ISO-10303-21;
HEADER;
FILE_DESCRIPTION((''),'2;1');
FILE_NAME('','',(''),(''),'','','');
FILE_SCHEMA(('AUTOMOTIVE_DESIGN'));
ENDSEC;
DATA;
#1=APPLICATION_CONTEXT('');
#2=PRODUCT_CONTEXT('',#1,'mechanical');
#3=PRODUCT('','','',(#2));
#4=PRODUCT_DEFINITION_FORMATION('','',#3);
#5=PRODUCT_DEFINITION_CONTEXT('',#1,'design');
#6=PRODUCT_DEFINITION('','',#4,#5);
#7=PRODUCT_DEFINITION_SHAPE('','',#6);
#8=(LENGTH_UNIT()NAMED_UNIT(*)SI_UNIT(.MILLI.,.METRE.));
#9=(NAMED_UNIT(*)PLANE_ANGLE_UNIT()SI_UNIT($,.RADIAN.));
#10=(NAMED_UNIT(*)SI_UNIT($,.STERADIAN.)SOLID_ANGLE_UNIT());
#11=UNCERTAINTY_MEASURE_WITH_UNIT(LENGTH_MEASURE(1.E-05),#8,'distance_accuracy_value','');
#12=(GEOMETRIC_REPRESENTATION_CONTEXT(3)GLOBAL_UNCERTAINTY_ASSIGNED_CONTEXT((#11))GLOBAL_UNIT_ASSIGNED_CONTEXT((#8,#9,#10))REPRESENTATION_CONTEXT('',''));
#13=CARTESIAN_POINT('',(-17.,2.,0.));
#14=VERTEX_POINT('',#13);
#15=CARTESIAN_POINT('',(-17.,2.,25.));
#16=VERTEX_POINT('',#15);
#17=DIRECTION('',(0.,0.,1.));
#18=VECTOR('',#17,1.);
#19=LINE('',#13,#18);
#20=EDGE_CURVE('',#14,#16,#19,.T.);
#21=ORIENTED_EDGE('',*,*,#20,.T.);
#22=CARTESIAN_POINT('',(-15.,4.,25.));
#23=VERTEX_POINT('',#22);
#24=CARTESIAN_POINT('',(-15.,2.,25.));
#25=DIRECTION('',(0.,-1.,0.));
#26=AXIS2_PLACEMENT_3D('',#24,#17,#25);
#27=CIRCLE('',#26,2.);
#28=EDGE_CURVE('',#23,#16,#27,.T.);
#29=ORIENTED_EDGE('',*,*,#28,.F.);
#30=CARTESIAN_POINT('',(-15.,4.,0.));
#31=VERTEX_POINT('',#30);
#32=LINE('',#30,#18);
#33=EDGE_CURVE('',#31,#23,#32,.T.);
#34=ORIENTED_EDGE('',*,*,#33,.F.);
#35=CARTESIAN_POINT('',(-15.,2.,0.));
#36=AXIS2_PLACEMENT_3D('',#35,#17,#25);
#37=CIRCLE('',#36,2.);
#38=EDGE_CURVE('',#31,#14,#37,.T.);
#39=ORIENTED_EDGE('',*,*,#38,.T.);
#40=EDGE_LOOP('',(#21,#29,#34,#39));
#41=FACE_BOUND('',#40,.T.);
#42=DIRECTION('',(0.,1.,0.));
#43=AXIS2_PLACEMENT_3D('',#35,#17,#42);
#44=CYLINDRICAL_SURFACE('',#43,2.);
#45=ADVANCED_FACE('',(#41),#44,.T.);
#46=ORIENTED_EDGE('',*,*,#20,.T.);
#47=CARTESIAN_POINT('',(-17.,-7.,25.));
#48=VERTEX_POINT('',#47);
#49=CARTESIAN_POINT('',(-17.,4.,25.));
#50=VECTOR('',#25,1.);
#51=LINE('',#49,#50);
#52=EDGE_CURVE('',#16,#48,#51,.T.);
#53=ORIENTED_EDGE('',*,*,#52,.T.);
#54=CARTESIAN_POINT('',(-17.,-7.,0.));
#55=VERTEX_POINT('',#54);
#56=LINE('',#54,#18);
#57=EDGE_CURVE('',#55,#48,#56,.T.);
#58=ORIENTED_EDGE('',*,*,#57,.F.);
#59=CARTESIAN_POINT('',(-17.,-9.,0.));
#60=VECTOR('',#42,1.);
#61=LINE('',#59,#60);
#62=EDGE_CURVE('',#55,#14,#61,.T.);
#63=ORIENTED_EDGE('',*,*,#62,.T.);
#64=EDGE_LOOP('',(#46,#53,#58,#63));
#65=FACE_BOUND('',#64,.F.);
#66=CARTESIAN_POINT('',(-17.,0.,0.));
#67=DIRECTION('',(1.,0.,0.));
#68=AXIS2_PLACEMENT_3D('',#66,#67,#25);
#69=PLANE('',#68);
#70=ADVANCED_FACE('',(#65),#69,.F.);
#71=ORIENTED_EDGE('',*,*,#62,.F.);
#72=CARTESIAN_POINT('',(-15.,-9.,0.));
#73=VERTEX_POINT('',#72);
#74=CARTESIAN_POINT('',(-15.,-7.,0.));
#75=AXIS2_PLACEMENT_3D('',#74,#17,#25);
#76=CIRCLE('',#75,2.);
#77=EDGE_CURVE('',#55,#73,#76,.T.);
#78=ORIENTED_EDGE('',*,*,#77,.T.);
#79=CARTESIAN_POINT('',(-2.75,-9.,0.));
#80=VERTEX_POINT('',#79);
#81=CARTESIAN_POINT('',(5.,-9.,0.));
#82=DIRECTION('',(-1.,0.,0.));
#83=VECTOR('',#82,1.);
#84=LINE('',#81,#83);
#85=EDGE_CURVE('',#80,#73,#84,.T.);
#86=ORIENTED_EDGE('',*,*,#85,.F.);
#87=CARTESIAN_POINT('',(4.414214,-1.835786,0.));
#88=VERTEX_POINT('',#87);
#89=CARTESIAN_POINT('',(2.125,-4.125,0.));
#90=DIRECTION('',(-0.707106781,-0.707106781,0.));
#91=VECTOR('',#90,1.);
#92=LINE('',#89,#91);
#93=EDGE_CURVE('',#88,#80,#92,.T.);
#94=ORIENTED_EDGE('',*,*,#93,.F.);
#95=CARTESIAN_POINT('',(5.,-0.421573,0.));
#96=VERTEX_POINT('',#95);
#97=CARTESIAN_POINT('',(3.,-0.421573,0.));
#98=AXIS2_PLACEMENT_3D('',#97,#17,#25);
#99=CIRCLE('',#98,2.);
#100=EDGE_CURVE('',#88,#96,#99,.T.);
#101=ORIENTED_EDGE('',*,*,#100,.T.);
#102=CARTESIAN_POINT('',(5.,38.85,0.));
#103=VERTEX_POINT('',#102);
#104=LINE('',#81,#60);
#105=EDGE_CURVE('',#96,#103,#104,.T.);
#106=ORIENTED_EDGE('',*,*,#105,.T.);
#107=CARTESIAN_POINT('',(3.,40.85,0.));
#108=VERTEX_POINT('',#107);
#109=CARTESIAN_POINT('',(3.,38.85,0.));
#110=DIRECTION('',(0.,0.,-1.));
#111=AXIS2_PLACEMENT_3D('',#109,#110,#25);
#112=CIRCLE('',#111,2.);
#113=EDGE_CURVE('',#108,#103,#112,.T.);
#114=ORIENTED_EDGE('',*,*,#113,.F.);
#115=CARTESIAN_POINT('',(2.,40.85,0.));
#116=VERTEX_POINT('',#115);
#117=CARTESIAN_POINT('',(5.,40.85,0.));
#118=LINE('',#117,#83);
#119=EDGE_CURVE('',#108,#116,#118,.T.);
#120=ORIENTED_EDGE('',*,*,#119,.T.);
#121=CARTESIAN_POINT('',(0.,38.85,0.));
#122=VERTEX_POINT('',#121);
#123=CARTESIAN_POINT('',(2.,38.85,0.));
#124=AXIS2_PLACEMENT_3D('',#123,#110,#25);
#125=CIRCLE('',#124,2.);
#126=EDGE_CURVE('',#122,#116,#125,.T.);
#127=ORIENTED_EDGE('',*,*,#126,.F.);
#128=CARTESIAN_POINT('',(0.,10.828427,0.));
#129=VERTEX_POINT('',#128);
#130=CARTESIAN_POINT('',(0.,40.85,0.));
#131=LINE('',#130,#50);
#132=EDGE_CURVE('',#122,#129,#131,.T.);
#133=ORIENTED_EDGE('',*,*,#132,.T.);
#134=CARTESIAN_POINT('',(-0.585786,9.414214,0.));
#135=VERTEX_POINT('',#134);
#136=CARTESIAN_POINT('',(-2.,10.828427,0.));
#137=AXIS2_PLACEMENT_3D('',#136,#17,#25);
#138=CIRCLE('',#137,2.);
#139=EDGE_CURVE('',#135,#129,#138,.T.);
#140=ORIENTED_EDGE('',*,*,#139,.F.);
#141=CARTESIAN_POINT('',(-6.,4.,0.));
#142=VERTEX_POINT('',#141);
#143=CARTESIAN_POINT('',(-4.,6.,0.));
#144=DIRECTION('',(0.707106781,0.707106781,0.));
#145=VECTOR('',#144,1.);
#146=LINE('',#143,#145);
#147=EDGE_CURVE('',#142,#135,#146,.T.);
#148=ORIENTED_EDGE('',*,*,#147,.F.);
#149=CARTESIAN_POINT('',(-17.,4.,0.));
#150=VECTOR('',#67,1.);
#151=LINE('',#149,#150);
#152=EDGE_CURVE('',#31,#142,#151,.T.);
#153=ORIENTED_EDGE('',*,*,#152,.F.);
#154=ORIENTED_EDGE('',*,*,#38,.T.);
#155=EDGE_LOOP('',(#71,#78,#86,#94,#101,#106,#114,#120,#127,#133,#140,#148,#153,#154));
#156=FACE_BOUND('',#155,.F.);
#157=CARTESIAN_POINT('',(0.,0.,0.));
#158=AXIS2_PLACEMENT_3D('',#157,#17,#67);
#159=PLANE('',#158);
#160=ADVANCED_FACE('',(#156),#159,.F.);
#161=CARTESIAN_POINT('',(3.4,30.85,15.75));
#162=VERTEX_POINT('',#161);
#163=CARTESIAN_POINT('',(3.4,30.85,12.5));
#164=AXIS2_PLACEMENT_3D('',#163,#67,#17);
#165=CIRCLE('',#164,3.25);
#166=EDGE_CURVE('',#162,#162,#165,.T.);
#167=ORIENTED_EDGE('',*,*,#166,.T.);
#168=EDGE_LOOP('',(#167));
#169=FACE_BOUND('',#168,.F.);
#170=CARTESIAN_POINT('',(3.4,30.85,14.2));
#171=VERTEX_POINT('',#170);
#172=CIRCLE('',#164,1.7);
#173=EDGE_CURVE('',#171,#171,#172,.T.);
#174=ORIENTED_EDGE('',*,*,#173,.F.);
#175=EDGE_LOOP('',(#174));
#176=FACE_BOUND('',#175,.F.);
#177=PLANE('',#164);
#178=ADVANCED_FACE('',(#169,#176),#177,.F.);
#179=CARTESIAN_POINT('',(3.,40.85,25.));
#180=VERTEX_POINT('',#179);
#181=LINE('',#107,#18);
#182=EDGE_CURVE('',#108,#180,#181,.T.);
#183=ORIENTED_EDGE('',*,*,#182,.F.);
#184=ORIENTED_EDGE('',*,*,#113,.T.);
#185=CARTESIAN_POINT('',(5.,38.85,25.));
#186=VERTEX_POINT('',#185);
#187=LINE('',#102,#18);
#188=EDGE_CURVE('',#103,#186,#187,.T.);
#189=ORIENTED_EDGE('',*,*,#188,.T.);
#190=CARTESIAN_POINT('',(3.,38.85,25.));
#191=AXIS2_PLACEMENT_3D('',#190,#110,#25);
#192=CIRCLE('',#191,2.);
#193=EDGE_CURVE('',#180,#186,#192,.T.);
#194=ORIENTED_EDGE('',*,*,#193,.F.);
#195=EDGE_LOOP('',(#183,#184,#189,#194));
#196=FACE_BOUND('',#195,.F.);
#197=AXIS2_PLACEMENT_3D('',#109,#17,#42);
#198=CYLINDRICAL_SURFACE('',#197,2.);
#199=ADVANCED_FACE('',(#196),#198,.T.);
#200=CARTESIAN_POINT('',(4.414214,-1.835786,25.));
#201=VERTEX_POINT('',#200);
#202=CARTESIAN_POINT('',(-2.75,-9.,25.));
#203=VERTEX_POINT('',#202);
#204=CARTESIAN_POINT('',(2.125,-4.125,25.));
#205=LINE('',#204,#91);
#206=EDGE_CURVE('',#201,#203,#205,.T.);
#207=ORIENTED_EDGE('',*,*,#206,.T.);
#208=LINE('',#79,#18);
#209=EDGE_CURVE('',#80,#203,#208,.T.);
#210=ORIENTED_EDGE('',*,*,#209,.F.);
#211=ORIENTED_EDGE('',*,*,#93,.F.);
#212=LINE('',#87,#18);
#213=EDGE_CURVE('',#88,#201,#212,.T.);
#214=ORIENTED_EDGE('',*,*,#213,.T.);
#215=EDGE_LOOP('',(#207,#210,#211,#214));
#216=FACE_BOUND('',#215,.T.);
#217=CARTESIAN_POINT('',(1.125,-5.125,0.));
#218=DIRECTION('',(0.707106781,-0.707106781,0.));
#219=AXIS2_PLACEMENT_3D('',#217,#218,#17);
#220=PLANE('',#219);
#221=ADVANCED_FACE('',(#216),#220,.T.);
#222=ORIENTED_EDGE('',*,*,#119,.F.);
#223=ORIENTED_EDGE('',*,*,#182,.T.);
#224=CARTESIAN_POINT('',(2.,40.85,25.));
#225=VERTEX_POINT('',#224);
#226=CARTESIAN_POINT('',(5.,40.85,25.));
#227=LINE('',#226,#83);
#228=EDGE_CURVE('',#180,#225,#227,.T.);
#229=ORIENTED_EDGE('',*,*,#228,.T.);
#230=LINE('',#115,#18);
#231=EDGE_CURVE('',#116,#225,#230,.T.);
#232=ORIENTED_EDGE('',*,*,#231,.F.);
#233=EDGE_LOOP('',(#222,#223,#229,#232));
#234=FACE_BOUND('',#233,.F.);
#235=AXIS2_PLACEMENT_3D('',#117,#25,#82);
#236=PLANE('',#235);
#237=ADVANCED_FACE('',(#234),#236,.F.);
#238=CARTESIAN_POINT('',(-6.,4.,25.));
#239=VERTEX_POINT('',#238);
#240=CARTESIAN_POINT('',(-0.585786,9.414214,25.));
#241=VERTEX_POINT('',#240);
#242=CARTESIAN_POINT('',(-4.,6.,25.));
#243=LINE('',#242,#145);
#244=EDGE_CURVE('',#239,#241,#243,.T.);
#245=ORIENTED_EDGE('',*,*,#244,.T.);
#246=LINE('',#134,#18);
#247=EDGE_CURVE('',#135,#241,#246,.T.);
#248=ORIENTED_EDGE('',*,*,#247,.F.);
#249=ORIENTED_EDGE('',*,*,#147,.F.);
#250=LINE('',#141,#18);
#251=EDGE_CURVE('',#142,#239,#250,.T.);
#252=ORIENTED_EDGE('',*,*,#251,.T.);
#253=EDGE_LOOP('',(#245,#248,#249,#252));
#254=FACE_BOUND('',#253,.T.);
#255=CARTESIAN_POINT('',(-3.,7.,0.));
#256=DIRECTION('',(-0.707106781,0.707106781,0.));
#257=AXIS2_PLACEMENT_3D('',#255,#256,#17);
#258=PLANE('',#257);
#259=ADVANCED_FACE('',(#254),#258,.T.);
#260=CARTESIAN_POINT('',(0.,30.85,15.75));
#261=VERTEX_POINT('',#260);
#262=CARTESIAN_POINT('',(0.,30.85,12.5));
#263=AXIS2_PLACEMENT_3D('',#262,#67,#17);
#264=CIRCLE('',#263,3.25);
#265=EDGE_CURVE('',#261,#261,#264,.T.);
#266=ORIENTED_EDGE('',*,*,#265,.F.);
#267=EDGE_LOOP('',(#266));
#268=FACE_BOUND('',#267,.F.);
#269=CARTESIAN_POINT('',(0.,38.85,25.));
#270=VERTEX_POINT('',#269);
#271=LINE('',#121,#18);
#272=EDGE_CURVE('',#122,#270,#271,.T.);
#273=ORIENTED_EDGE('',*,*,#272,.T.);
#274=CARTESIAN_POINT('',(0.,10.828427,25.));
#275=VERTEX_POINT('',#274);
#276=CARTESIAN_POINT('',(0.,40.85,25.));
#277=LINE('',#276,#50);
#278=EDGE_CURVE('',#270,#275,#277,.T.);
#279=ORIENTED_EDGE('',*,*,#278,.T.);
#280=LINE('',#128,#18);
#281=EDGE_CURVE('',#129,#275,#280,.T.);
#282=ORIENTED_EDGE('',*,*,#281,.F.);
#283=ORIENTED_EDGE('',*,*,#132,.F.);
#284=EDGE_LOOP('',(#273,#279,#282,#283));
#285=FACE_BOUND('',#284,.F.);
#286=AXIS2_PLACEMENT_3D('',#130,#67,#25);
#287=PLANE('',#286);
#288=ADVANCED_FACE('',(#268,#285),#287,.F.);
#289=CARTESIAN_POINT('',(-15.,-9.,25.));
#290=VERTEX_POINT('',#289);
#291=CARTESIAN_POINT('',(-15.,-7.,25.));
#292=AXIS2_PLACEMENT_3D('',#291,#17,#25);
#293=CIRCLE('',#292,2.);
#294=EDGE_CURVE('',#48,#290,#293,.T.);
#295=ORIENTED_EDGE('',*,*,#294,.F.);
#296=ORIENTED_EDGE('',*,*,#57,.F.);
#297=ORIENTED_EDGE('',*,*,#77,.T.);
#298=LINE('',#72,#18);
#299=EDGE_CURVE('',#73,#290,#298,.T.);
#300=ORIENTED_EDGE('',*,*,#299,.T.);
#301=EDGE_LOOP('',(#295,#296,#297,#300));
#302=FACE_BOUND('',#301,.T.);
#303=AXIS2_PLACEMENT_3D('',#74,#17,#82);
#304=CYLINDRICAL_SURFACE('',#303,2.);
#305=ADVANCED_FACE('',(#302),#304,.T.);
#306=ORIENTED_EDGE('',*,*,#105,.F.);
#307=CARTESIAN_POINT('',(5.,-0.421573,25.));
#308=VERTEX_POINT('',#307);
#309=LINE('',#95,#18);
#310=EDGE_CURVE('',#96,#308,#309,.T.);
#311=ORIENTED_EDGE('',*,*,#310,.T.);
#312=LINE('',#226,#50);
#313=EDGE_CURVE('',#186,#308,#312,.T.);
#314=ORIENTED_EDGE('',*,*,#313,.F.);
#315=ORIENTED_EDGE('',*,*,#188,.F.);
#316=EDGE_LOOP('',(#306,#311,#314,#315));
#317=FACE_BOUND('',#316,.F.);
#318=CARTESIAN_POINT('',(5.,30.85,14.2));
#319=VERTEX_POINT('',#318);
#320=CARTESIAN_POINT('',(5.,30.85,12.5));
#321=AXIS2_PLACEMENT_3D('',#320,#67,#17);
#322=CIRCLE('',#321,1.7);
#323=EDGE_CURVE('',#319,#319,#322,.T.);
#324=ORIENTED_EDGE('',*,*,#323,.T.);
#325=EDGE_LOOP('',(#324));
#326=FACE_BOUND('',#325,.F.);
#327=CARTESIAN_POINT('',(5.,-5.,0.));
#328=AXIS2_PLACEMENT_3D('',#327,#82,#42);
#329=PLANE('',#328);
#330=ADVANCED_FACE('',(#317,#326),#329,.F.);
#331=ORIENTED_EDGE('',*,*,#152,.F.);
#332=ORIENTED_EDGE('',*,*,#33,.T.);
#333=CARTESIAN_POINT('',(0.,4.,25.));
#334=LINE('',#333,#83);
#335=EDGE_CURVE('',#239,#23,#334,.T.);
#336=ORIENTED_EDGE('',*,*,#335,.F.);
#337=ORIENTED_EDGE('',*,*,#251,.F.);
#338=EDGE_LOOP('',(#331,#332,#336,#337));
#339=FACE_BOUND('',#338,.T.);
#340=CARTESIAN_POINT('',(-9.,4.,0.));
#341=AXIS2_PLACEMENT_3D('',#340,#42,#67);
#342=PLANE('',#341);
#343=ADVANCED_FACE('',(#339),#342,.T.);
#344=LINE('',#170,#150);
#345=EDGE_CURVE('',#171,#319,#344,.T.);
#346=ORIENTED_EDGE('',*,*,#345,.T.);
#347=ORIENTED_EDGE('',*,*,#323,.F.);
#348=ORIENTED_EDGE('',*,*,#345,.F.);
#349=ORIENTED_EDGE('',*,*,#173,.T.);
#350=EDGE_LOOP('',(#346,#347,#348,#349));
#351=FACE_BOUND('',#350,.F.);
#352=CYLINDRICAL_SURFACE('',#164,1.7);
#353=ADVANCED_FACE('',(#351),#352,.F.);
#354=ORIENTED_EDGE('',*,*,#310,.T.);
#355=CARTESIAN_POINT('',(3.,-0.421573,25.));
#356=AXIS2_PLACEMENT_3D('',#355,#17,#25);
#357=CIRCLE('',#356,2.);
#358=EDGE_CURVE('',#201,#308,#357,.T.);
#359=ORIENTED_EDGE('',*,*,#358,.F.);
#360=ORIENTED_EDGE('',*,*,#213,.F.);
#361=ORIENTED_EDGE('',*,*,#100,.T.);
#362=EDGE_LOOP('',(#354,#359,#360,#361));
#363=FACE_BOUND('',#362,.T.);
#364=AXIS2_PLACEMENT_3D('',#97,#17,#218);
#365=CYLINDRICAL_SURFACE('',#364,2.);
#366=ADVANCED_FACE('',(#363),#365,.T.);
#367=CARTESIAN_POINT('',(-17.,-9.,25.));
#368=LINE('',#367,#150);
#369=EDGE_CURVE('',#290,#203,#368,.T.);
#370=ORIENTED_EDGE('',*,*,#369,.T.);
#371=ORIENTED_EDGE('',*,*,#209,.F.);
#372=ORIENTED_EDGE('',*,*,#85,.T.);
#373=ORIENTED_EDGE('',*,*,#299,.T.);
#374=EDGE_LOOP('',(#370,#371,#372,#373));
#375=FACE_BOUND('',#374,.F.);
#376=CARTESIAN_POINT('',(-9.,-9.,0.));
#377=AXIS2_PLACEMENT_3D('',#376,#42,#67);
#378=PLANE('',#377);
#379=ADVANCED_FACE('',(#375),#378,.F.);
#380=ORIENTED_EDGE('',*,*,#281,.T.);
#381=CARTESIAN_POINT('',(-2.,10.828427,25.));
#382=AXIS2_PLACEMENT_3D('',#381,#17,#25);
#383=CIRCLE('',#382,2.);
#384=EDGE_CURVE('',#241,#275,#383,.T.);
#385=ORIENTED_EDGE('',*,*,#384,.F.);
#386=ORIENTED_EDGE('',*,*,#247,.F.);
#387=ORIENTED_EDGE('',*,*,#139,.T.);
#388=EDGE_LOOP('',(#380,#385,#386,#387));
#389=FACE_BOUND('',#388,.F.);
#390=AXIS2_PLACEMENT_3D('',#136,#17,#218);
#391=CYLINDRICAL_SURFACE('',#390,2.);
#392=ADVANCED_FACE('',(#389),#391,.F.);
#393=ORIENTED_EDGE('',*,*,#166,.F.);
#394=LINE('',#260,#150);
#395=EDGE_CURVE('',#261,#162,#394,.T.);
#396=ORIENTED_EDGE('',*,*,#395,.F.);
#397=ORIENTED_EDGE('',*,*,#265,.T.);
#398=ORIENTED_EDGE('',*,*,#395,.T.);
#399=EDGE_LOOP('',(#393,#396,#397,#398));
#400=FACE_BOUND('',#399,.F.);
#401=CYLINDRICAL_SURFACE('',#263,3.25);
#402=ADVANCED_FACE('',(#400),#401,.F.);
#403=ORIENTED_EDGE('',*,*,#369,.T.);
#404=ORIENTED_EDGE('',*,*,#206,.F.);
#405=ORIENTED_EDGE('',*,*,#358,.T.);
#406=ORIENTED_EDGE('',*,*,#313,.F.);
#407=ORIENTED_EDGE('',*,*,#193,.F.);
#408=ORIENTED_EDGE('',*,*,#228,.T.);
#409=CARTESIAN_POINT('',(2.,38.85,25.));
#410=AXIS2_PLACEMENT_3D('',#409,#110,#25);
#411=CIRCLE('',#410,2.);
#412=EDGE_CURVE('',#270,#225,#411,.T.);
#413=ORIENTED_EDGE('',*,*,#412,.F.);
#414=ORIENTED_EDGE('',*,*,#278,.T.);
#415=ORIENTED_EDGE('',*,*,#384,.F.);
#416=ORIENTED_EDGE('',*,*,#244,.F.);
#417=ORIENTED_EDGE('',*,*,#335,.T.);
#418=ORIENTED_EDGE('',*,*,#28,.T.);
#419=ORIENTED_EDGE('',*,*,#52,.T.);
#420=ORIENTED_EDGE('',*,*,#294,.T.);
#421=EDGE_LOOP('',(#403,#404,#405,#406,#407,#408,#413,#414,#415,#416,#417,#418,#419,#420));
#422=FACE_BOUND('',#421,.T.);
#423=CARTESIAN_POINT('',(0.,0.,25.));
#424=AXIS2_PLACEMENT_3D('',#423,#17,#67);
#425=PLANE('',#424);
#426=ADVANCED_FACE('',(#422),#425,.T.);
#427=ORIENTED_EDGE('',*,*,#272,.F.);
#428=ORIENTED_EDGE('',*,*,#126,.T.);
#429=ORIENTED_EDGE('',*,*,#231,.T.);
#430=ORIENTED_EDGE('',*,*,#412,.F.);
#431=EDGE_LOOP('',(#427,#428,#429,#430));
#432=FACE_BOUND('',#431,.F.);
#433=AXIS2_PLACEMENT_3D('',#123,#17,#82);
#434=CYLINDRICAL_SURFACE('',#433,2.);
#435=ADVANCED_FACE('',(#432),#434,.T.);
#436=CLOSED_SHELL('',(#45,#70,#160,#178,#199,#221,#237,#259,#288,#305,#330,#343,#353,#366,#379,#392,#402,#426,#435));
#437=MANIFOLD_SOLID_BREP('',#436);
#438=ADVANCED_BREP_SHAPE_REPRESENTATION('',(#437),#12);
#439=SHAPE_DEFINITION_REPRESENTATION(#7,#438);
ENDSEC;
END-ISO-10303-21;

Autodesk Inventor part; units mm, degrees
ref_plane "YZ Plane" through (0, 0, 0) normal (1, 0, 0) x (0, 1, 0)
ref_plane "XZ Plane" through (0, 0, 0) normal (0, 1, 0) x (-1, 0, 0)
ref_plane "XY Plane" through (0, 0, 0) normal (0, 0, 1) x (1, 0, 0)
sketch "Sketch1" plane through (0, 0, 0) normal (0, 0, 1) x (1, 0, 0)
  line L0 (0, 40.85) -> (0, 0)
  line L1 (0, 0) -> (-17, 0)
  line L2 (-17, 0) -> (-17, -5)
  line L3 (-17, -5) -> (5, -5)
  line L4 (5, -5) -> (5, 40.85)
  line L5 (5, 40.85) -> (0, 40.85)
  line L6 (-17, 0) -> (-17, 4)
  line L7 (-17, 4) -> (-15, 4)
  line L8 (-15, 4) -> (-15, 0)
  line L9 (-17, -5) -> (-17, -9)
  line L10 (-17, -9) -> (-15, -9)
  line L11 (-15, -9) -> (-15, -5)
  line L12 (-9, 0) -> (-9, 4)
  line L13 (-9, 4) -> (0, 4)
  line L14 (-9, -5) -> (-9, -9)
  line L15 (-9, -9) -> (5, -9)
  line L16 (5, -9) -> (5, -5)
  line L17 (-15, 4) -> (-9, 4)
  line L18 (-15, -9) -> (-9, -9)
  dimension "d0" = 5
  dimension "d1" = 15
  dimension "d2" = 4
  dimension "d3" = 2
  dimension "d4" = 40.85
  dimension "d5" = 6
extrude "Extrusion1" add sketch "Sketch1" along normal blind 25
sketch "Sketch2" plane through (-17, 4, 0) normal (0, 1, 0) x (1, 0, 0)
  circle A0 centre (-1.4373, -213.5) radius 4.5 projected
  line L0 (16.4159, -222.1385) -> (44.0445, -254.6126)
  line L1 (44.0445, -254.6126) -> (38.713, -259.1485)
  line L2 (38.713, -259.1485) -> (11.0845, -226.6745)
  line L3 (11.0845, -226.6745) -> (16.4159, -222.1385)
  line L4 (1.9901, -210.584) -> (-347.6847, 200.416)
  circle A1 centre (-351.112, 197.5) radius 4.5 projected
  point P0 (17, 0)
  point P1 (41.3788, -256.8805)
  dimension "d8" = 7
extrude "Extrusion2" cut sketch "Sketch2" against normal blind 3 contours L0 L1 L2 L3
sketch "Sketch3" plane through (-17, -9, 0) normal (0, -1, 0) x (1, 0, 0)
  line L0 (1.9991, 25) -> (2.3222, 0) projected
  line L1 (9.3228, 0) -> (8.9997, 25) projected
  line L2 (22, 225.4393) -> (22, 219.5607) construction
  line L3 (22, 225.4393) -> (-378, 225.4393) construction
  line L4 (-378, 219.5607) -> (-378, 225.4393) construction
  line L5 (22, 219.5607) -> (-378, 219.5607) construction
  circle A0 centre (6.5, 222.5) radius 4.5 construction
  line L6 (-355.6868, -191.4906) -> (9.8625, 219.5094) construction
  line L7 (70.9842, 282.9643) -> (65.7537, 287.6164)
  line L8 (65.7537, 287.6164) -> (-8.4745, 204.1589)
  line L9 (-8.4745, 204.1589) -> (-3.244, 199.5068)
  line L10 (-3.244, 199.5068) -> (70.9842, 282.9643)
  line L11 (2.3222, 0) -> (9.3228, 0) projected
  line L12 (8.9997, 25) -> (1.9991, 25) projected
  circle A1 centre (-359.0493, -188.5) radius 4.5 projected
  point P0 (17, 0)
  point P1 (68.369, 285.2903)
  dimension "d38" = 7
extrude "Extrusion3" cut sketch "Sketch3" against normal blind 3 contours L10 L9 L8 L7
chamfer "Chamfer1" distance 7.75 angle 45 1 edges at (5, -9, 12.5)
chamfer "Chamfer3" distance 6 angle 45 1 edges at (0, 4, 12.5)
sketch "Sketch5" plane through (0, 40.85, 0) normal (-1, 0, 0) x (0, 0, 1)
  line L0 (212.5, -7.0607) -> (212.5, -12.9393) projected
  line L1 (-187.5, -7.0607) -> (212.5, -7.0607) projected
  line L2 (-187.5, -12.9393) -> (-187.5, -7.0607) projected
  line L3 (-187.5, -12.9393) -> (212.5, -12.9393) projected
  line L4 (12.5, -7.0607) -> (12.5, -12.9393) construction
  line L5 (12.5, -10) -> (25, -10) construction
  line L6 (25, -42.1) -> (25, 0) projected
  line L7 (12.5, -10) -> (0, -10) construction
  line L8 (0, -42.1) -> (0, 0) projected
  point P0 (0, -40.85)
hole "Hole1" at (0, 30.85, 12.5) direction (1, 0, 0) diameter 3.4 end through all counterbore diameter 6.5 counterbore depth 3.4 clearance for "Socket Head Cap Screw ISO 4762" size "M3" standard "ISO"
fillet "Fillet3" radius 2 6 edges at (-17, 4, 12.5) (-17, -9, 12.5) (5, -1.25, 12.5) (0, 10, 12.5) (5, 40.85, 12.5) (0, 40.85, 12.5)
chamfer "Chamfer4" [suppressed]
properties part number "belt no touchy"
